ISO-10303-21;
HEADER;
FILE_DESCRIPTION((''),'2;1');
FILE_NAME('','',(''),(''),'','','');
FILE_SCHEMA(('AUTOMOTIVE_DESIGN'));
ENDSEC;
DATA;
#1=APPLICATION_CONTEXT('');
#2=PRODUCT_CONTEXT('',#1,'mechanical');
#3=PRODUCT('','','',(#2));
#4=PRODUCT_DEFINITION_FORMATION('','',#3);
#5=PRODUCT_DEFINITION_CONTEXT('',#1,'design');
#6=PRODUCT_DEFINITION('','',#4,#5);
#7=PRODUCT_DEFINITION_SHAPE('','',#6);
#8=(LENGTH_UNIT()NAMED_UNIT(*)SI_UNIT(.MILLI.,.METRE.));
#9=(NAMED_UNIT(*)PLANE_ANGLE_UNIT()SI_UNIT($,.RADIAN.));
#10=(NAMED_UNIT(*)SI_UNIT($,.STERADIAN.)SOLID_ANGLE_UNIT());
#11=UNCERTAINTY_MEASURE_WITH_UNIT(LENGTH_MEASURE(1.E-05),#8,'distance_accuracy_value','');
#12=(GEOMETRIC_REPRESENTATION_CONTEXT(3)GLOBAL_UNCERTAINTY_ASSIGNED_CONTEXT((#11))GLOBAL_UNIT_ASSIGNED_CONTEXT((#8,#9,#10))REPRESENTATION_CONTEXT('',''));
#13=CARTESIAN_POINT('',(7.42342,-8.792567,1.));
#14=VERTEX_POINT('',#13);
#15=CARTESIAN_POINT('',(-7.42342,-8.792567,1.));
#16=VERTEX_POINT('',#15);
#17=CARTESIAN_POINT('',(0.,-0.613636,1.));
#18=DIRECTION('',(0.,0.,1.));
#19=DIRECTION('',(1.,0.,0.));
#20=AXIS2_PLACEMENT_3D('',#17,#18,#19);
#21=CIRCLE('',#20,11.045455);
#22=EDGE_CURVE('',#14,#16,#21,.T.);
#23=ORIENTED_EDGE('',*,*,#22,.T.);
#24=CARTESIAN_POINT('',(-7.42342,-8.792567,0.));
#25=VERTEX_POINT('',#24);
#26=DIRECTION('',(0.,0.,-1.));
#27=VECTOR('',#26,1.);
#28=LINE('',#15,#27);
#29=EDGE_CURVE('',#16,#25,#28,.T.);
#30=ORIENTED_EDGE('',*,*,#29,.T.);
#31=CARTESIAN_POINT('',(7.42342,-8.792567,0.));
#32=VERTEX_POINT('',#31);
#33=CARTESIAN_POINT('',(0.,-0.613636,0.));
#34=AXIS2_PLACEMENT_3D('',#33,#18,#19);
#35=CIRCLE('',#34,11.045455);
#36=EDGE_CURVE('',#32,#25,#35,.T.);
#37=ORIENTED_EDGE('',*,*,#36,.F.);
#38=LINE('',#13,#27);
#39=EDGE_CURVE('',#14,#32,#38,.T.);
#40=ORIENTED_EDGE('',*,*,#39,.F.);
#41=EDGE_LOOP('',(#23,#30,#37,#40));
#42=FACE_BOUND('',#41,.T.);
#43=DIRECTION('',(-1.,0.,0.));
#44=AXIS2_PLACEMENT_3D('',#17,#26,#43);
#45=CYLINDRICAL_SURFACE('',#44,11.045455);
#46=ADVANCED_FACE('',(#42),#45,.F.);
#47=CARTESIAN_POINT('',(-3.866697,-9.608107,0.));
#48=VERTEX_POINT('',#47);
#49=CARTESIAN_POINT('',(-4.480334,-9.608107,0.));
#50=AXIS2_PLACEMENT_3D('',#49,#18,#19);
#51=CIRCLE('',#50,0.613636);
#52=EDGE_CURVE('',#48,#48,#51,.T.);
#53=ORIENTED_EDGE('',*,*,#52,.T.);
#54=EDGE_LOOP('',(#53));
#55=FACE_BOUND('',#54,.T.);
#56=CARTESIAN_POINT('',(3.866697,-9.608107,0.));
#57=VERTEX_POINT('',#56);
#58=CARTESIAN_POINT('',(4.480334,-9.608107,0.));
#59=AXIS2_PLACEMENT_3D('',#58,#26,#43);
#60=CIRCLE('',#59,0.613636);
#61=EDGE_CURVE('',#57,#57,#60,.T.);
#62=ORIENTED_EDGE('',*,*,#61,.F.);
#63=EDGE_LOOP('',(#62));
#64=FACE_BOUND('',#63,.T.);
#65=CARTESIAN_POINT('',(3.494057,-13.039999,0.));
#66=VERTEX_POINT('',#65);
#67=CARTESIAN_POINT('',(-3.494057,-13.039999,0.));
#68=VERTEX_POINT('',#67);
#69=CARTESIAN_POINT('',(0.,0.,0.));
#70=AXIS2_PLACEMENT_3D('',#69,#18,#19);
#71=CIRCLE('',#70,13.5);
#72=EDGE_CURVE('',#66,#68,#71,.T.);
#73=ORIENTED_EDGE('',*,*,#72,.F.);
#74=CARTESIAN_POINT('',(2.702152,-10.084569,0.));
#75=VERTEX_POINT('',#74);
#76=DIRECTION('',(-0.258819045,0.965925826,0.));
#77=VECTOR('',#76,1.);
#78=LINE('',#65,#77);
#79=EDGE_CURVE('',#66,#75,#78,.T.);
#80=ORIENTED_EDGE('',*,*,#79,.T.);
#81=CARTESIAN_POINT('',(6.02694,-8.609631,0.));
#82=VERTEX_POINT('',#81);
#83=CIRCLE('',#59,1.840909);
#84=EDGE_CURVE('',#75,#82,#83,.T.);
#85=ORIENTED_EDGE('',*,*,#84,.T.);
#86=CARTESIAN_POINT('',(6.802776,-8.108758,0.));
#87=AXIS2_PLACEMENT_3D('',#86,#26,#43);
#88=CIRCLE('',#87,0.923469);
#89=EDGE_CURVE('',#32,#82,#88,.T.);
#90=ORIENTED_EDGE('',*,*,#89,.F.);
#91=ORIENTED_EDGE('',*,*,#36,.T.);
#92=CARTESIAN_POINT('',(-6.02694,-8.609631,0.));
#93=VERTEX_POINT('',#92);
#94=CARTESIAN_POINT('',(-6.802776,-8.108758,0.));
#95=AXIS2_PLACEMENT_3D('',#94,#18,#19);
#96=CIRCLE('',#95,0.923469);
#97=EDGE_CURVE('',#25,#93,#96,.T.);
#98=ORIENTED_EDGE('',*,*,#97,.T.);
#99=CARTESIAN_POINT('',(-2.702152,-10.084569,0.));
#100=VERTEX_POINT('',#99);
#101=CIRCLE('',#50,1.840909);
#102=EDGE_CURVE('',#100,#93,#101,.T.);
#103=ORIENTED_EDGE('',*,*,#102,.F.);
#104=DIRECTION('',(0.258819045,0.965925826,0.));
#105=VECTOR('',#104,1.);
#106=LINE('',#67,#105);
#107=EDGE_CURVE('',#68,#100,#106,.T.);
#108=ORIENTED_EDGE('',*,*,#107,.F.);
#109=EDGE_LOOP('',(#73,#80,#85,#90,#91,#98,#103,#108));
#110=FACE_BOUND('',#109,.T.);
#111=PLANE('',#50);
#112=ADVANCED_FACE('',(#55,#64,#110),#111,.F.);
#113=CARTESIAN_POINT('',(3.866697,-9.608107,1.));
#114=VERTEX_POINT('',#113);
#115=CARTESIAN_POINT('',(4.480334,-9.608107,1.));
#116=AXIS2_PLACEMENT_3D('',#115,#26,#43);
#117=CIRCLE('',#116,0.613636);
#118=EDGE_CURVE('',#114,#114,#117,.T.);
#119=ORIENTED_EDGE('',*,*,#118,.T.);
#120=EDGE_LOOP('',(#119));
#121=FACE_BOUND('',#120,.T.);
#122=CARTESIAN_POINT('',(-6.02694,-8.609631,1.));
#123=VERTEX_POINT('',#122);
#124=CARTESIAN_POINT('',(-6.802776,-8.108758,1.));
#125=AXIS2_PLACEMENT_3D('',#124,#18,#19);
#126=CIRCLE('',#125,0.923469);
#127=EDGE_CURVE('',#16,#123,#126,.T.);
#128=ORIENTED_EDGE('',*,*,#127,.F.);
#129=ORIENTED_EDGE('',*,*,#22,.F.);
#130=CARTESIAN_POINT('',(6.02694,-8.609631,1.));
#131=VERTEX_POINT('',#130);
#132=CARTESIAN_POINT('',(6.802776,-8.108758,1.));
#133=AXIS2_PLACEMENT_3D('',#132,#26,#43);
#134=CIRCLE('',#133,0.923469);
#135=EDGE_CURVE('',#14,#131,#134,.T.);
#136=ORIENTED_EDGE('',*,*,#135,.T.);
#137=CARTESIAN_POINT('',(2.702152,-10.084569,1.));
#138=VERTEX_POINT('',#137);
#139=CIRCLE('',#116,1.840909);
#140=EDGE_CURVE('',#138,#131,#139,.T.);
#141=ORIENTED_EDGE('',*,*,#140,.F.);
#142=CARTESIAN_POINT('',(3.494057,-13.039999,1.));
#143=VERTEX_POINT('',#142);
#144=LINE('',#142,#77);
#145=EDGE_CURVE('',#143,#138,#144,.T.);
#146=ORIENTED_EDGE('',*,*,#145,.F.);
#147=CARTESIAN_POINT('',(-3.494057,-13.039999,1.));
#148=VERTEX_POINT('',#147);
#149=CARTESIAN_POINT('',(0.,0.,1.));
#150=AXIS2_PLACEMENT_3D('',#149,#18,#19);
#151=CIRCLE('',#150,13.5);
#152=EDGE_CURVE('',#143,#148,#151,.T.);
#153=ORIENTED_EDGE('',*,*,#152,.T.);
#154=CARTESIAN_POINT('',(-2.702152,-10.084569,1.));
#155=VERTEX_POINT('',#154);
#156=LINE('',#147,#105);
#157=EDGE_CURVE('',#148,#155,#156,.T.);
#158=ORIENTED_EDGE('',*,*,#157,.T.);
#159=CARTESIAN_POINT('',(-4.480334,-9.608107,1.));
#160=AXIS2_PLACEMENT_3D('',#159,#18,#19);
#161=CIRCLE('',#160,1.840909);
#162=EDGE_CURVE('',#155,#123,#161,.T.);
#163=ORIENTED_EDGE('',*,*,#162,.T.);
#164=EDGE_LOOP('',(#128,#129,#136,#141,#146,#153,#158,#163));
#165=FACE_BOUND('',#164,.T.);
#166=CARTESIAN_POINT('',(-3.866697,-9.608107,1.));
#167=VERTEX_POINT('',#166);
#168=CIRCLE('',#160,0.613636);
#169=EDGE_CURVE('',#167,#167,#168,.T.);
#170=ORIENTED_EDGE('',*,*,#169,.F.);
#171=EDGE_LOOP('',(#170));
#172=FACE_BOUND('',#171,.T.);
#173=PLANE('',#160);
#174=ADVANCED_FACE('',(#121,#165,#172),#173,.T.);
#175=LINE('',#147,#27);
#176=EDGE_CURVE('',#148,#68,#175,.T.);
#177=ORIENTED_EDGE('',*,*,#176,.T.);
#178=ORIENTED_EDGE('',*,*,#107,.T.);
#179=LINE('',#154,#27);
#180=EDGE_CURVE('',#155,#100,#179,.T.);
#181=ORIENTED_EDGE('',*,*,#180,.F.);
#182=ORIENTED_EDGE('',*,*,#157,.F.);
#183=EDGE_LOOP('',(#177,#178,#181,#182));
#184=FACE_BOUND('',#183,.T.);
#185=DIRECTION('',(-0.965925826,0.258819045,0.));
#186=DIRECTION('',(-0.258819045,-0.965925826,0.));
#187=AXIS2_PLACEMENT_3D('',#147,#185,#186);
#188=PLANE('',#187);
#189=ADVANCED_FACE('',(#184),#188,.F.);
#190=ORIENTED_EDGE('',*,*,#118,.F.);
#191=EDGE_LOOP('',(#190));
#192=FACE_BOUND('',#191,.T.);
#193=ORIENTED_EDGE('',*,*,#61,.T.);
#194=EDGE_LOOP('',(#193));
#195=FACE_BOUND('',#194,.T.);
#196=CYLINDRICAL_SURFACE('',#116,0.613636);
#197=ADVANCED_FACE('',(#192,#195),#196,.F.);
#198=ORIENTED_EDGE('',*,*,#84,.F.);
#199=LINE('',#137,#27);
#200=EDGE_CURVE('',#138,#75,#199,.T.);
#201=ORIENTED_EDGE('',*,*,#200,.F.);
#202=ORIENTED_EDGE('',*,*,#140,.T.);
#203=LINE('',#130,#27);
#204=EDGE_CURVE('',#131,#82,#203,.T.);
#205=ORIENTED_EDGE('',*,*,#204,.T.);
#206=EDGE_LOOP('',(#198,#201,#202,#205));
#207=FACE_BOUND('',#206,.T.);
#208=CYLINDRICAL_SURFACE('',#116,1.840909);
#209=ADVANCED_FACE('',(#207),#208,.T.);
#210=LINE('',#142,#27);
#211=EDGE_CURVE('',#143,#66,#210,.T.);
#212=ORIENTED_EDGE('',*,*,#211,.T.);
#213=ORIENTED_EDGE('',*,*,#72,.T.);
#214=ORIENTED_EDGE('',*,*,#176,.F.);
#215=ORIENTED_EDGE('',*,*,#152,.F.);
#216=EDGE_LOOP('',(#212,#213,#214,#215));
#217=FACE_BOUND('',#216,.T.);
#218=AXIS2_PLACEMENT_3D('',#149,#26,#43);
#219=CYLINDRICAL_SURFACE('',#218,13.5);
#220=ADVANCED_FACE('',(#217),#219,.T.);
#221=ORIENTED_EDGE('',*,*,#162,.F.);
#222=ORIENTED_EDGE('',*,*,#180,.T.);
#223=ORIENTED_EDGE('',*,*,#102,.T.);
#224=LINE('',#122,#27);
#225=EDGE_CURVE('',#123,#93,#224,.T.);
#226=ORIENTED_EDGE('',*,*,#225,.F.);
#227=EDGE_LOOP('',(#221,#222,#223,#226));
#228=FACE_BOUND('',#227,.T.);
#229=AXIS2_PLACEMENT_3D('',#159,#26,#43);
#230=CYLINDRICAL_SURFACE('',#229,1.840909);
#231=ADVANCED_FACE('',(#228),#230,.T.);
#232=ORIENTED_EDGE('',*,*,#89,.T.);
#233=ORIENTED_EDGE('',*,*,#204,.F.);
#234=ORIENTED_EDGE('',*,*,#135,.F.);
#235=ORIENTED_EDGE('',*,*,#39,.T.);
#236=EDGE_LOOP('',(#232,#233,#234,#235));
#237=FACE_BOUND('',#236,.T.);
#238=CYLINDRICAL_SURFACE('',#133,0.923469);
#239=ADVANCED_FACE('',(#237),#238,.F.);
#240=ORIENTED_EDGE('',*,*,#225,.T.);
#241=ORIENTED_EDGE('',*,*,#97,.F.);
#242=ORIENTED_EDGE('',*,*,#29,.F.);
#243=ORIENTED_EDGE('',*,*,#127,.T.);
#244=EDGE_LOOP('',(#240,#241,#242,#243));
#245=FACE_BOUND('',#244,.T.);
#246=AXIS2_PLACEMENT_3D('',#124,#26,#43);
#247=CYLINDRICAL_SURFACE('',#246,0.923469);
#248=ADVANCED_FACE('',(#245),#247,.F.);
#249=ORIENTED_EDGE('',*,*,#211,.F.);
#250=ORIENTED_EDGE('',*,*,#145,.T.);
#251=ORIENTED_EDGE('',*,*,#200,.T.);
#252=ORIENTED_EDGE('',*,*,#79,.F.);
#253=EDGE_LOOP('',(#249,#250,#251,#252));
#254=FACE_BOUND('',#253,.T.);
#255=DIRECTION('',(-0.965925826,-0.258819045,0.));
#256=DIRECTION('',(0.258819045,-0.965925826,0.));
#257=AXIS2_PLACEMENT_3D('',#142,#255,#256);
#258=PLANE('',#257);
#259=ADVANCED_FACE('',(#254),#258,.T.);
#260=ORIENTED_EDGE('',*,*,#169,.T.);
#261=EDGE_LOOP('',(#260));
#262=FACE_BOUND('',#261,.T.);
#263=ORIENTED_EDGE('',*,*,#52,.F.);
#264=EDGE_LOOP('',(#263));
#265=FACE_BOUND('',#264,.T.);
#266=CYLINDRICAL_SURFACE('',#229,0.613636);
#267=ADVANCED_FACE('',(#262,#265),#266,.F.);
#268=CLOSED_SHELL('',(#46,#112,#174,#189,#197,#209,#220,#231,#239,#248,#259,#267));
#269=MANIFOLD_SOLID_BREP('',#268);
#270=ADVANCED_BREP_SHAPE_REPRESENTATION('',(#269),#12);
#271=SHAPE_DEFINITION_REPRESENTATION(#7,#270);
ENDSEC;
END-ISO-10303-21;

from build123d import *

# Parameters (mm, degrees)
ESQUISSE1_R          = 0.613636364
BASE_EXTRUSION_DEPTH = 1


with BuildPart() as part:
    # Esquisse1 → Base-Extrusion (new body)
    with BuildSketch(Plane.XY):
        with BuildLine():
            Line((-3.494057109, -13.039998655), (-2.702152167, -10.084569177))
            ThreePointArc((-2.702152167, -10.084569177), (-3.733830096, -7.925347652), (-6.026940189, -8.609630523))
            ThreePointArc((-6.026940189, -8.609630523), (-6.682827598, -9.024403146), (-7.423419677, -8.792567004))
            ThreePointArc((-7.423419677, -8.792567004), (0, 10.431818182), (7.423419677, -8.792567004))
            ThreePointArc((7.423419677, -8.792567004), (6.682827598, -9.024403146), (6.026940189, -8.609630523))
            ThreePointArc((6.026940189, -8.609630523), (3.733830096, -7.925347652), (2.702152167, -10.084569177))
            Line((2.702152167, -10.084569177), (3.494057109, -13.039998655))
            ThreePointArc((3.494057109, -13.039998655), (0, 13.5), (-3.494057109, -13.039998655))
        make_face()
        with Locations((-4.480333802, -9.608106844)):
            Circle(ESQUISSE1_R, mode=Mode.SUBTRACT)
        with Locations(Location((4.480333802, -9.608106844, 0), (0, 0, 180))):  # turned: the seam where the file's is
            Circle(ESQUISSE1_R, mode=Mode.SUBTRACT)
    extrude(amount=BASE_EXTRUSION_DEPTH)


solid = part.part
